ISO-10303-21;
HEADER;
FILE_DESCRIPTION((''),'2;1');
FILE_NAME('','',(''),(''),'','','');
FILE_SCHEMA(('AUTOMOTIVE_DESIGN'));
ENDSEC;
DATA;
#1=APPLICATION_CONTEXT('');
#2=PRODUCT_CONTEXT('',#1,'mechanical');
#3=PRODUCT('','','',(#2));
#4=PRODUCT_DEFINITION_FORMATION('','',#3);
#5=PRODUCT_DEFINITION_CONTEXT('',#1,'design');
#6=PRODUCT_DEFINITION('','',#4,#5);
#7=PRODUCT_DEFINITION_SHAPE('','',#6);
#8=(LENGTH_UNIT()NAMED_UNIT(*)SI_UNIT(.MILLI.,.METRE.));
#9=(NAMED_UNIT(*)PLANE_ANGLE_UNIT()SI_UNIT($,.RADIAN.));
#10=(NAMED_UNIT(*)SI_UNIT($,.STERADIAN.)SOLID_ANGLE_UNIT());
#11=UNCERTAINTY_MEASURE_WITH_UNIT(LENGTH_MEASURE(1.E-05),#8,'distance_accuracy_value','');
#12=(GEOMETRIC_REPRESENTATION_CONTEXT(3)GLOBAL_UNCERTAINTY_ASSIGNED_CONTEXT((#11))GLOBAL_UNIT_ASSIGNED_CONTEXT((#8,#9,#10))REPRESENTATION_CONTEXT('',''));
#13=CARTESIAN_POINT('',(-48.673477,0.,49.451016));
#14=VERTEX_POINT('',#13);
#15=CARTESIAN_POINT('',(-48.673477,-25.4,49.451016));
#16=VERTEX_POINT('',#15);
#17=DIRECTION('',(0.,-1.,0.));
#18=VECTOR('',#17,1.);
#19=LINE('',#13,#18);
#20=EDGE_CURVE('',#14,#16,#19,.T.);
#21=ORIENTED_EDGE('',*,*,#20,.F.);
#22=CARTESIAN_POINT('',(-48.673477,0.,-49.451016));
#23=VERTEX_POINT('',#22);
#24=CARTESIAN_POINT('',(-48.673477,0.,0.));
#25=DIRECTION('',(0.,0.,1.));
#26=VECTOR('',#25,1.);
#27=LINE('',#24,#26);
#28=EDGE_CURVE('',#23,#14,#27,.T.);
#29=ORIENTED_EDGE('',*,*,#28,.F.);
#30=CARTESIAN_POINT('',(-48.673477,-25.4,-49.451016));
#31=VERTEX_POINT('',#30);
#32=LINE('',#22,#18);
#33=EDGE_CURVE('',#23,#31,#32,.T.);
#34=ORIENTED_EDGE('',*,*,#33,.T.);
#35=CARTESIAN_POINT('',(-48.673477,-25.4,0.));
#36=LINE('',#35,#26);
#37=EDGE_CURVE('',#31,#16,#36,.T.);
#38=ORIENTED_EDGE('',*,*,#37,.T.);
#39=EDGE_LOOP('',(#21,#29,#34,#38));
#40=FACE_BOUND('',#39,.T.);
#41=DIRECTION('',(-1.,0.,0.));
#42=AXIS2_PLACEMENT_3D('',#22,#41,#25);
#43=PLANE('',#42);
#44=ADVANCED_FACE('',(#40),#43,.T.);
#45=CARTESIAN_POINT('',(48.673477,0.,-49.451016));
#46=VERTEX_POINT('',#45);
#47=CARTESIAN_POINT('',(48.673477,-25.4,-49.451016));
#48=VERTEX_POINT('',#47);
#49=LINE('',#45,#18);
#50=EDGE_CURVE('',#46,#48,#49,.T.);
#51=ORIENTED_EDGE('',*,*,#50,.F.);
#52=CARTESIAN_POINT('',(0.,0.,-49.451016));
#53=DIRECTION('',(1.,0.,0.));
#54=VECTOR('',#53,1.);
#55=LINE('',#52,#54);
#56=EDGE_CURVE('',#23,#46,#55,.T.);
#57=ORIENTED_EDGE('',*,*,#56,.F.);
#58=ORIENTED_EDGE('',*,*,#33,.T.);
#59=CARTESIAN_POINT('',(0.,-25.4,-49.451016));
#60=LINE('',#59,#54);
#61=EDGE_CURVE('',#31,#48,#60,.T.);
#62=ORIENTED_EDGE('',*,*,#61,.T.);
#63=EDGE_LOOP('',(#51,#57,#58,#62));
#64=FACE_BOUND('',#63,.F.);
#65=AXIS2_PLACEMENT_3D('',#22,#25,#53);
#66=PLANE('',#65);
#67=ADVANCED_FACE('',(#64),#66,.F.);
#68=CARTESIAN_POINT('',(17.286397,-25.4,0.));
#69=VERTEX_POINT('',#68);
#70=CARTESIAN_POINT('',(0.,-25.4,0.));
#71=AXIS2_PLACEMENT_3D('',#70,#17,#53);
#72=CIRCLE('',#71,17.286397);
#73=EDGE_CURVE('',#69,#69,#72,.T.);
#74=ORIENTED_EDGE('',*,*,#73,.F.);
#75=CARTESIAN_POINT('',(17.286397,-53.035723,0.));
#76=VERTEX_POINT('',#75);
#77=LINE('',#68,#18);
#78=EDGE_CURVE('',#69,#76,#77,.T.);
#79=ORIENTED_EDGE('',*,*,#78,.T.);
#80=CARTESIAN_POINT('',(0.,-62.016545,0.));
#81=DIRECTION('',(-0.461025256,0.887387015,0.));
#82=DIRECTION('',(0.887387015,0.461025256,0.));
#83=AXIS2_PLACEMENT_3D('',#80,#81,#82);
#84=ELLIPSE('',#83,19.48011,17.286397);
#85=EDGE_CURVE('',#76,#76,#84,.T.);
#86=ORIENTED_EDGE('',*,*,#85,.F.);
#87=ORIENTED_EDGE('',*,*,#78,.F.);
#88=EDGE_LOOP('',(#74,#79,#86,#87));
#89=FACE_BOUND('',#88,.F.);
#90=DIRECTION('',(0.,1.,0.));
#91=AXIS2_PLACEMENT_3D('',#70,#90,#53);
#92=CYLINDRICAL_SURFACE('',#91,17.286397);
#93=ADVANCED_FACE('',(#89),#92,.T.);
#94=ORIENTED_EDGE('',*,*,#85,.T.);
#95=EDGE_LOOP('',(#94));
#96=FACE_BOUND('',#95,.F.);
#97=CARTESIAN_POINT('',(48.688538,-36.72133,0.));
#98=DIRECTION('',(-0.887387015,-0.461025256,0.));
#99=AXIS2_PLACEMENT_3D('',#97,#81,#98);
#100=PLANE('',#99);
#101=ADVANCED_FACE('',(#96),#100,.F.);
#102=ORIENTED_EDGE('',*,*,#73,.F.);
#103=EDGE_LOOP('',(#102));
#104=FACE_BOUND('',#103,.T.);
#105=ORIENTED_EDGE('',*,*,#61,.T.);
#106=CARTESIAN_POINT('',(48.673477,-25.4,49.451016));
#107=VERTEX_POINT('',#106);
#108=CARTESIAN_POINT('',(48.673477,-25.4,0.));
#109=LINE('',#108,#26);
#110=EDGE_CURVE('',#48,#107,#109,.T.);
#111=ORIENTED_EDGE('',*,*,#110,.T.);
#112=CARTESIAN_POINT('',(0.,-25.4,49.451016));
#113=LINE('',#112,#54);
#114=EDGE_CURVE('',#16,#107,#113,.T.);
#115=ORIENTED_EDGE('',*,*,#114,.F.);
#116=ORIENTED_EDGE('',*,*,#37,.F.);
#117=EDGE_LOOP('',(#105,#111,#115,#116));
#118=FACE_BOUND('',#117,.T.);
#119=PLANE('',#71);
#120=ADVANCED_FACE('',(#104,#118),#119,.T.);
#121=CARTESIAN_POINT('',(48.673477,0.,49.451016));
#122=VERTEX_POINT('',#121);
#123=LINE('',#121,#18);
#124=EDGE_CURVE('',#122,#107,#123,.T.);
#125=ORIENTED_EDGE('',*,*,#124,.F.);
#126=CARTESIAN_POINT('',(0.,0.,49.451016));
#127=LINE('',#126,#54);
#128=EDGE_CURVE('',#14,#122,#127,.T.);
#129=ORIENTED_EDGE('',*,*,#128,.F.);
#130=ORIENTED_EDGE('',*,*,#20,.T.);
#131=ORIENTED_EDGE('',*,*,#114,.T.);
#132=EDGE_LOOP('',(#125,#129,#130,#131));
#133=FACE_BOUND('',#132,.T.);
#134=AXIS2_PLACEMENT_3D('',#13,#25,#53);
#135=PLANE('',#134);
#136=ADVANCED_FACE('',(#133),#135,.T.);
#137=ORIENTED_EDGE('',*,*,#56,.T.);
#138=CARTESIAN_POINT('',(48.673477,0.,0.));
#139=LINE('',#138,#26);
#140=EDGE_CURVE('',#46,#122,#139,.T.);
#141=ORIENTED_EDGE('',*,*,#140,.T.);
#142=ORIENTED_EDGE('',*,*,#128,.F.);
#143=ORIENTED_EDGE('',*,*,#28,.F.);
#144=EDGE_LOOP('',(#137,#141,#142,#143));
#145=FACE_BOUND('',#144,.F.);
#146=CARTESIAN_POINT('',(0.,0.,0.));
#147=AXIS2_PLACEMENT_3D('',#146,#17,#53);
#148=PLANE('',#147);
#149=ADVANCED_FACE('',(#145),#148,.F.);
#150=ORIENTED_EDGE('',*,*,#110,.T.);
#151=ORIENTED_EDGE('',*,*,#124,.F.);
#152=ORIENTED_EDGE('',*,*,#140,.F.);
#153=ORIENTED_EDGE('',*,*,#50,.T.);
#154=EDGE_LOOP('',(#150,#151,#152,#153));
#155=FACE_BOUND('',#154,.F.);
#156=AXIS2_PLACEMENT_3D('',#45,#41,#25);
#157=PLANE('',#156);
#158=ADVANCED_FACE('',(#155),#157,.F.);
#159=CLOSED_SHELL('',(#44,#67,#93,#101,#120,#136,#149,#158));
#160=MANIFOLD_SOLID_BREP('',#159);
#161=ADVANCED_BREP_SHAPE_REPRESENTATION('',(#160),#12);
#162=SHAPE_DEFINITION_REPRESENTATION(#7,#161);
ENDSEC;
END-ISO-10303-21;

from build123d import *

# Parameters (mm, degrees)
F0_W     = 97.346954
F0_H     = 98.902032
F1_DEPTH = 25.4
F2_R     = 17.286397
F3_DEPTH = 50.8
F5_DEPTH = 35.814


with BuildPart() as f1:
    # F0 (on Front) → F1 (new body)
    with BuildSketch(Plane.XZ):
        Rectangle(F0_W, F0_H)
    extrude(amount=F1_DEPTH)

    # F2 (on face) → F3 (join)
    with BuildSketch(Plane.XZ.offset(25.4)):
        Circle(F2_R)
    extrude(amount=F3_DEPTH)

    # F4 (on Top) → F5 (cut, symmetric)
    with BuildSketch(Plane.XY):
        Polygon((48.688538, -36.72133), (-35.245914, -80.327898), (48.688538, -80.327898), align=None)
    extrude(amount=F5_DEPTH, both=True, mode=Mode.SUBTRACT)


solid = f1.part
